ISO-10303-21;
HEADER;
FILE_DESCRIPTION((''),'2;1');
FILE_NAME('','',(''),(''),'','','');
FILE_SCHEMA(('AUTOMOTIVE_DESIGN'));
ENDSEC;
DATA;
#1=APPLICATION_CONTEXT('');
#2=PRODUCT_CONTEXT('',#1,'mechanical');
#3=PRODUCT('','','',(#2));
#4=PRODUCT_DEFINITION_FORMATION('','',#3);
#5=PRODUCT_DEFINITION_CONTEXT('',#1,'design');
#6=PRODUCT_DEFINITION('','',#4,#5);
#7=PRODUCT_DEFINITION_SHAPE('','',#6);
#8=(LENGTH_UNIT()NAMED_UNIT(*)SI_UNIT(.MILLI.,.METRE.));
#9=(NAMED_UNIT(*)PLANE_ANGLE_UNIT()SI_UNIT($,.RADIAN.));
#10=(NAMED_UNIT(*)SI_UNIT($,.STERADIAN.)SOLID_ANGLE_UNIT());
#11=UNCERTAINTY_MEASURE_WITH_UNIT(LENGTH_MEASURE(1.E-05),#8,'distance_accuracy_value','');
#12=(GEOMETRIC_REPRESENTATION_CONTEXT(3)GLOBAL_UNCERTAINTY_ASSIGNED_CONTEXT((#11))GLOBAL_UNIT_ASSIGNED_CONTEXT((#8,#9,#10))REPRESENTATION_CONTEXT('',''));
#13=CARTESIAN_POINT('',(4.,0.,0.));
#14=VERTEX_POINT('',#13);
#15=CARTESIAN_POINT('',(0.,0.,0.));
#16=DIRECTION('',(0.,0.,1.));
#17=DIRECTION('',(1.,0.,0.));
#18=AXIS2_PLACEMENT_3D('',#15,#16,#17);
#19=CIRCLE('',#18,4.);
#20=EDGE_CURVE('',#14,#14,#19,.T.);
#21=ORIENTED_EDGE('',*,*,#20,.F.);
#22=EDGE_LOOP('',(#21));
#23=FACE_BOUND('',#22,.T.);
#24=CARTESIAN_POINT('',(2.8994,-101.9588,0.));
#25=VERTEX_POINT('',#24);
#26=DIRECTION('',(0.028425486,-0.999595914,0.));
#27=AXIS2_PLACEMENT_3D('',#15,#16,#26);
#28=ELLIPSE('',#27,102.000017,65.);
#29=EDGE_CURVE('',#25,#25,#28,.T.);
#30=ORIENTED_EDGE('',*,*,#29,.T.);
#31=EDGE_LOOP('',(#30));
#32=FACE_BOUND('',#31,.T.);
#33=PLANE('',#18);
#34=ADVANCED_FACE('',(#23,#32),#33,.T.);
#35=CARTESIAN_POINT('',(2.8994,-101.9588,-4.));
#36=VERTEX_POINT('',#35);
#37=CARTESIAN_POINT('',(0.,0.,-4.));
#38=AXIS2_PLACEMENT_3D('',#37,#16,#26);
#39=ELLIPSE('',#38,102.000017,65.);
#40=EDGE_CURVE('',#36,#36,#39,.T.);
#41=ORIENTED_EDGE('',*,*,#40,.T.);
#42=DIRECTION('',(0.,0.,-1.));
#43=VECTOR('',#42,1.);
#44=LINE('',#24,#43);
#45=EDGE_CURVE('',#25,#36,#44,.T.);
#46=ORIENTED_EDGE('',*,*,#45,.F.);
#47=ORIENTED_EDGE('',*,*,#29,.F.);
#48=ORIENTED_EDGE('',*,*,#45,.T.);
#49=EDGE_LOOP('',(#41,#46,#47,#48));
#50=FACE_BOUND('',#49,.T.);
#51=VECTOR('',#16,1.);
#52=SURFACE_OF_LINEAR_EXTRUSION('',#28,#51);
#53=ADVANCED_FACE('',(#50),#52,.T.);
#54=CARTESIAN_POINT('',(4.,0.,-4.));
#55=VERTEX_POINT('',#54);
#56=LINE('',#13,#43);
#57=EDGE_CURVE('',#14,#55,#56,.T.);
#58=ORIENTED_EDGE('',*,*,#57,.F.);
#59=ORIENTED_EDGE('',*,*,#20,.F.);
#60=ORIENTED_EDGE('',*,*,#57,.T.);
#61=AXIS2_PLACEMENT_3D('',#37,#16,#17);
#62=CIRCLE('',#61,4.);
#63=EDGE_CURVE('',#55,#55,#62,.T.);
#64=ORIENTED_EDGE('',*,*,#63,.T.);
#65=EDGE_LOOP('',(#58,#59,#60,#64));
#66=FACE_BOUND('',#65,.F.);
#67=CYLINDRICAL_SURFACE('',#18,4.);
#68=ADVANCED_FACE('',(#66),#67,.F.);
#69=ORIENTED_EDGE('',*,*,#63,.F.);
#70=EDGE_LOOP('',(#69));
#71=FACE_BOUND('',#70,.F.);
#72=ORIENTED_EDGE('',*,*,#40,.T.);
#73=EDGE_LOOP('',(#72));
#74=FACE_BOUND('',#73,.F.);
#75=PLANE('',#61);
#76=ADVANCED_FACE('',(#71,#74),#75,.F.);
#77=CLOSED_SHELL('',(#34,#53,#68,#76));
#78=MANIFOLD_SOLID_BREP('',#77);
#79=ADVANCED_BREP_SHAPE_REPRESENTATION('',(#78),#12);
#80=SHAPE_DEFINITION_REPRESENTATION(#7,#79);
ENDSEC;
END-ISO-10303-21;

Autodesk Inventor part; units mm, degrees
ref_plane "YZ Plane" through (0, 0, 0) normal (1, 0, 0) x (0, 1, 0)
ref_plane "XZ Plane" through (0, 0, 0) normal (0, 1, 0) x (-1, 0, 0)
ref_plane "XY Plane" through (0, 0, 0) normal (0, 0, 1) x (1, 0, 0)
sketch "Эскиз1" plane through (0, 0, 0) normal (0, 0, 1) x (1, 0, 0)
  ellipse E0 centre (0, 0) end of major axis (2.8994, -101.9588) minor radius 65
  circle A0 centre (0, 0) radius 4
  dimension "d0" = 102
  dimension "d1" = 65
  dimension "d4" = 8
extrude "Выдавливание1" add sketch "Эскиз1" against normal blind 4
properties part number "верхний эллипс туловища"
